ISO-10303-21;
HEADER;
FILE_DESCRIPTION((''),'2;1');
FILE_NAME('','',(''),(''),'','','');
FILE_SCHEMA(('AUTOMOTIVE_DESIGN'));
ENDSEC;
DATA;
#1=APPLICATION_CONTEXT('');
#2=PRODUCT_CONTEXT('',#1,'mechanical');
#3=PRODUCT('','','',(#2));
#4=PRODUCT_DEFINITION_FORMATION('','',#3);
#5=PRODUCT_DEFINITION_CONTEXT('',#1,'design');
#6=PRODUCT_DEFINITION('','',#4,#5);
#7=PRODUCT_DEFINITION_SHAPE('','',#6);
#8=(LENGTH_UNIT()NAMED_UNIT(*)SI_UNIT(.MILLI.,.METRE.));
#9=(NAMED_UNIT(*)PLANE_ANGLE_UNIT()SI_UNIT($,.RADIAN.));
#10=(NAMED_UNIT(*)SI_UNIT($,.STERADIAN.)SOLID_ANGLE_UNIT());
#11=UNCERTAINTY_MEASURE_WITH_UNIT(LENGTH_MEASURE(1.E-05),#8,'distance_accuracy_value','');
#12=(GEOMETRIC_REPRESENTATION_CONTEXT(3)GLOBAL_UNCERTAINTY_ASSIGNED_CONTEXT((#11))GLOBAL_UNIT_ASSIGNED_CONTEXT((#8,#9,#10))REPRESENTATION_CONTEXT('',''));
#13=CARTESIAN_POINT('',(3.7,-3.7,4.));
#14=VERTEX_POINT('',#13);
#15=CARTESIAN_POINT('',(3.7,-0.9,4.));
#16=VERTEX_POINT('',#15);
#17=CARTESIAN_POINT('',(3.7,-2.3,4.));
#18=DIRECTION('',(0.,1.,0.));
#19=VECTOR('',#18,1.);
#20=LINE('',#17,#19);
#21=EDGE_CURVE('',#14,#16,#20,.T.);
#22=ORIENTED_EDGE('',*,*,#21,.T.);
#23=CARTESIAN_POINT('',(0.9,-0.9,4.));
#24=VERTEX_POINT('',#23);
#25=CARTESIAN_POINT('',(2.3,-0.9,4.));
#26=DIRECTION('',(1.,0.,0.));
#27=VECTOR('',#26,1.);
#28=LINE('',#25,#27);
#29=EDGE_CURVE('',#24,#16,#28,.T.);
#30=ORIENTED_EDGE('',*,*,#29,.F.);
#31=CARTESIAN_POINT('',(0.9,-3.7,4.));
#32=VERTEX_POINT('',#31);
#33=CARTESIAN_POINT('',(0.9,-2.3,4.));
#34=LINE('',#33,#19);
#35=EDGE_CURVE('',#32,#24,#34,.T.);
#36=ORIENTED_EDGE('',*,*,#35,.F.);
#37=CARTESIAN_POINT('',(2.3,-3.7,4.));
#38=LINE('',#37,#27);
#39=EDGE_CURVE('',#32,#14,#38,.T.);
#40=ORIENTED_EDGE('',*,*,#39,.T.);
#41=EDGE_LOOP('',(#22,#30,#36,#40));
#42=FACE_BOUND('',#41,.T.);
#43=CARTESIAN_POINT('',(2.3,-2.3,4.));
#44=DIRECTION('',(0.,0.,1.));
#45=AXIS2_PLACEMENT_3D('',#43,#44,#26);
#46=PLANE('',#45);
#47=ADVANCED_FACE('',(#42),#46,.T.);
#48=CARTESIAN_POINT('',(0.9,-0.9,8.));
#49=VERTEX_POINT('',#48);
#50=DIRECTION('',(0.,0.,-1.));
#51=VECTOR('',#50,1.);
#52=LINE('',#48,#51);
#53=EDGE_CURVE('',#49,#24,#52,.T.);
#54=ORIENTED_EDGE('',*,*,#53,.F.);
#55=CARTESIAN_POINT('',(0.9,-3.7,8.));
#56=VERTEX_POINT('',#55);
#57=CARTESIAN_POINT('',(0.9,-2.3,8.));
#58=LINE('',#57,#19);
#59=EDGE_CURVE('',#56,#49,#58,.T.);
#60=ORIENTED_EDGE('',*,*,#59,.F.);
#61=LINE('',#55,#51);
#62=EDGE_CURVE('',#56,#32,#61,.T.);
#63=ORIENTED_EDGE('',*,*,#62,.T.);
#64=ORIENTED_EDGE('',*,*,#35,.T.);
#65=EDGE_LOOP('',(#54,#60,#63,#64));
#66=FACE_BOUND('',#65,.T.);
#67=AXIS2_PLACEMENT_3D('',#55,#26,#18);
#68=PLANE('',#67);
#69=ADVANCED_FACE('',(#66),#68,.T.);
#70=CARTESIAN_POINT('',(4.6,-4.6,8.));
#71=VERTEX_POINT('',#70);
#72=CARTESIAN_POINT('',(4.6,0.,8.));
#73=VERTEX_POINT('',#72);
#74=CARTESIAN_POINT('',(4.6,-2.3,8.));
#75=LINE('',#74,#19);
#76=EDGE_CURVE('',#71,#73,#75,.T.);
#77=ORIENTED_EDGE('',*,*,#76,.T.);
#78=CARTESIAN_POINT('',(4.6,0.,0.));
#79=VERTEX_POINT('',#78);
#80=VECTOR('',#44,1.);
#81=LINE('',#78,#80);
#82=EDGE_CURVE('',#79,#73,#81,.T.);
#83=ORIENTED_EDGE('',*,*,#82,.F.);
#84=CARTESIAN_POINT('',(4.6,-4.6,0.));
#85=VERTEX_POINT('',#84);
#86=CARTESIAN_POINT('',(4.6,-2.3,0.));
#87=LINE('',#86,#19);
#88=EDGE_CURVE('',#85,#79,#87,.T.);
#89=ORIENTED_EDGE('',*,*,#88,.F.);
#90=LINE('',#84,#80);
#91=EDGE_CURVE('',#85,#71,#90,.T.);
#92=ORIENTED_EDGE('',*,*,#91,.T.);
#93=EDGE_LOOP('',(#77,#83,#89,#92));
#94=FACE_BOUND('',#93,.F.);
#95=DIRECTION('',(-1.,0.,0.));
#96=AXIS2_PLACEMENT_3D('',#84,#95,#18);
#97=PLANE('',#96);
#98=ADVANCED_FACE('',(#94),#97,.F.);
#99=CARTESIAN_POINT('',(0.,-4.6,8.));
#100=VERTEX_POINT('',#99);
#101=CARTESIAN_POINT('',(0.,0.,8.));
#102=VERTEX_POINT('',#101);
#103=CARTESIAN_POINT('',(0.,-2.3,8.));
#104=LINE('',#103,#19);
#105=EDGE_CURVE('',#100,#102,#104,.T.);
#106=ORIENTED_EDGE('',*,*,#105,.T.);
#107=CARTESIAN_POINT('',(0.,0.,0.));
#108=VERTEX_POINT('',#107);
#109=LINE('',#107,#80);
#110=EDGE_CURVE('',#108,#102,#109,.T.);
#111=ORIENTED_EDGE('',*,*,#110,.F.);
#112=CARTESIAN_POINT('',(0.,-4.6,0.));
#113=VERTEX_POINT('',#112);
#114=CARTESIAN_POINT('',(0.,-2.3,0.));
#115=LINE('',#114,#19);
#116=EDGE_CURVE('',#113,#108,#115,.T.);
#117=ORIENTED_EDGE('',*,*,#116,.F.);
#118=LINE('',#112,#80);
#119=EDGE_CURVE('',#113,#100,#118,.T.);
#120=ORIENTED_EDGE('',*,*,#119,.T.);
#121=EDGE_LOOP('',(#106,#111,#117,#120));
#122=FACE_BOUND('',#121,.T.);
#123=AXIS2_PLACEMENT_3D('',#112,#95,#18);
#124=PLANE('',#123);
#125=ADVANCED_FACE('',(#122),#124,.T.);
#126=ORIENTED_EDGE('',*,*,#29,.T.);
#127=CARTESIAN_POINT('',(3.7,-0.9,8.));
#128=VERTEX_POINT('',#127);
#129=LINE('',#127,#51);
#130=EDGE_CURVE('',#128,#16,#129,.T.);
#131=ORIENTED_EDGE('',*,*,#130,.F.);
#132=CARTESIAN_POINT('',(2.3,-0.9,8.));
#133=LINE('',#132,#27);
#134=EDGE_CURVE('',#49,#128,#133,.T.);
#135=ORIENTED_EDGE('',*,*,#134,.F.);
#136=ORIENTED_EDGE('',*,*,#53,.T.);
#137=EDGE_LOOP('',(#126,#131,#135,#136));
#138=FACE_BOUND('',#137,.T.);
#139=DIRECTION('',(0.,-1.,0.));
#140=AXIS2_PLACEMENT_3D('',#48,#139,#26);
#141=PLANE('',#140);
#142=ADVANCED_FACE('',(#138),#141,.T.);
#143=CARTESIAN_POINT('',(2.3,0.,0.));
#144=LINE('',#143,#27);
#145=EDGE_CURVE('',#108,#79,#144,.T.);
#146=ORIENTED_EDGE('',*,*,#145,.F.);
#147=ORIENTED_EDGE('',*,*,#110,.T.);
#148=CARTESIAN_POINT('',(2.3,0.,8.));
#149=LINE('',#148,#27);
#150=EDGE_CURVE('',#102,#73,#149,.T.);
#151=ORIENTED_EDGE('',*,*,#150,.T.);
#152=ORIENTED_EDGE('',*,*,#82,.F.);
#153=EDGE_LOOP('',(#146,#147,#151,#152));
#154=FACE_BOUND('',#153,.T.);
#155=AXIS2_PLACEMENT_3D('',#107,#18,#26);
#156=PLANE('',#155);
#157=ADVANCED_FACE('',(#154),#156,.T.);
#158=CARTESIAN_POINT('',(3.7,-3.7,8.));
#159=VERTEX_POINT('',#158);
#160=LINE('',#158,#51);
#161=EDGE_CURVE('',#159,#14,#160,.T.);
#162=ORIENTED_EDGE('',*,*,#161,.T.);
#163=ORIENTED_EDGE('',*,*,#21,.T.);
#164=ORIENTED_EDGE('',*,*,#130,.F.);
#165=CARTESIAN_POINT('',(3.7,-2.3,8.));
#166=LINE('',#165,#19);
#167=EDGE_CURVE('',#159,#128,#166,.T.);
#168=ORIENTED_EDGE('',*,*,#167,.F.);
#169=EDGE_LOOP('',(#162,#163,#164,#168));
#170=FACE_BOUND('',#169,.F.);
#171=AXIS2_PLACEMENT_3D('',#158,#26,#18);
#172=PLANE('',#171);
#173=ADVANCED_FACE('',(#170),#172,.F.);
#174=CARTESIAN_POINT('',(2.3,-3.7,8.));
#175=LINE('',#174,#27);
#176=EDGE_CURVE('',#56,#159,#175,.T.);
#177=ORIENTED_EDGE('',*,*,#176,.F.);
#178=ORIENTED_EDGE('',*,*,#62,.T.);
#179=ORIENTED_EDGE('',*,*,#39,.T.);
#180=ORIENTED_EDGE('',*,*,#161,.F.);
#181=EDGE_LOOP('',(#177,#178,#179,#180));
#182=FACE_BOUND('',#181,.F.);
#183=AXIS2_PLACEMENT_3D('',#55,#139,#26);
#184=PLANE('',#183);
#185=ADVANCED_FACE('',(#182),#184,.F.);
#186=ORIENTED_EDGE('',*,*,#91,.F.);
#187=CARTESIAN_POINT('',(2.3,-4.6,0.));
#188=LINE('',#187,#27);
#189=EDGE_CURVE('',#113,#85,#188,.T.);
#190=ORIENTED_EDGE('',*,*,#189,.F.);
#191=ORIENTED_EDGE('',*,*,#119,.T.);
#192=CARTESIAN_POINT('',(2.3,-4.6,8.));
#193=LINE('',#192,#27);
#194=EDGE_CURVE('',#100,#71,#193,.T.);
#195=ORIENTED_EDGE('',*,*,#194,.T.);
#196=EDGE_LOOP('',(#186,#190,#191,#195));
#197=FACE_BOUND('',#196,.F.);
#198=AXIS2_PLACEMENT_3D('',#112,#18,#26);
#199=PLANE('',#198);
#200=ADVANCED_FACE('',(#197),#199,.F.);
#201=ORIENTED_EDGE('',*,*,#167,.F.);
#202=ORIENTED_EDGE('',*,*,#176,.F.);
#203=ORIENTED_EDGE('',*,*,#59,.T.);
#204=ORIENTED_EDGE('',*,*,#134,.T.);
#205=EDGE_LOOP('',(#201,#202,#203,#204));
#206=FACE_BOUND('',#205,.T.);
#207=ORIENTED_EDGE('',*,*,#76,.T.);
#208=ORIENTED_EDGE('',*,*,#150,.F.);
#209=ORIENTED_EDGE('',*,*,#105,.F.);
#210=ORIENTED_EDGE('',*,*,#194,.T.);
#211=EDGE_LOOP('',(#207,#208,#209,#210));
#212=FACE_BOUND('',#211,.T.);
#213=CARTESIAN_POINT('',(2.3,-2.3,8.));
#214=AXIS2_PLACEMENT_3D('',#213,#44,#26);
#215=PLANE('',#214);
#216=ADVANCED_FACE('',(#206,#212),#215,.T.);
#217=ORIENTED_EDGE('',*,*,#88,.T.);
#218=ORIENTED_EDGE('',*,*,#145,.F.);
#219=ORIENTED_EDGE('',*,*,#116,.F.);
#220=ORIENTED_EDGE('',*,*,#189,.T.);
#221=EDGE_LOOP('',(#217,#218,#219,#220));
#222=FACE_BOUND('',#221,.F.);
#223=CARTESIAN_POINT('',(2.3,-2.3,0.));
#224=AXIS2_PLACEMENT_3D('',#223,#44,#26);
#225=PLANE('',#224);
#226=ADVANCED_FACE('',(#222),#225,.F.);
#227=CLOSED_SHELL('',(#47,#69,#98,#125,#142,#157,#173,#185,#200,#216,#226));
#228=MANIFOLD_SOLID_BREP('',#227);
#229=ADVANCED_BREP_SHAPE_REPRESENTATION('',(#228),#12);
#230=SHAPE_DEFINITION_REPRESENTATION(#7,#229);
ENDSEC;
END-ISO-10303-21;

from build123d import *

# Parameters (mm, degrees)
SKETCH_W     = 4.6
SKETCH_H     = 4.6
PAD_DEPTH    = 8
SKETCH001_W  = 2.8
SKETCH001_H  = 2.8
POCKET_DEPTH = 4


with BuildPart() as part:
    # Sketch → Pad (new body)
    with BuildSketch(Plane.XY):
        with Locations((2.3, -2.3)):
            Rectangle(SKETCH_W, SKETCH_H)
    extrude(amount=PAD_DEPTH)

    # Sketch001 (on Face6 of Pad) → Pocket (cut)
    with BuildSketch(Plane.XY.offset(8)):
        with Locations((2.3, -2.3)):
            Rectangle(SKETCH001_W, SKETCH001_H)
    extrude(amount=-POCKET_DEPTH, mode=Mode.SUBTRACT)


solid = part.part
